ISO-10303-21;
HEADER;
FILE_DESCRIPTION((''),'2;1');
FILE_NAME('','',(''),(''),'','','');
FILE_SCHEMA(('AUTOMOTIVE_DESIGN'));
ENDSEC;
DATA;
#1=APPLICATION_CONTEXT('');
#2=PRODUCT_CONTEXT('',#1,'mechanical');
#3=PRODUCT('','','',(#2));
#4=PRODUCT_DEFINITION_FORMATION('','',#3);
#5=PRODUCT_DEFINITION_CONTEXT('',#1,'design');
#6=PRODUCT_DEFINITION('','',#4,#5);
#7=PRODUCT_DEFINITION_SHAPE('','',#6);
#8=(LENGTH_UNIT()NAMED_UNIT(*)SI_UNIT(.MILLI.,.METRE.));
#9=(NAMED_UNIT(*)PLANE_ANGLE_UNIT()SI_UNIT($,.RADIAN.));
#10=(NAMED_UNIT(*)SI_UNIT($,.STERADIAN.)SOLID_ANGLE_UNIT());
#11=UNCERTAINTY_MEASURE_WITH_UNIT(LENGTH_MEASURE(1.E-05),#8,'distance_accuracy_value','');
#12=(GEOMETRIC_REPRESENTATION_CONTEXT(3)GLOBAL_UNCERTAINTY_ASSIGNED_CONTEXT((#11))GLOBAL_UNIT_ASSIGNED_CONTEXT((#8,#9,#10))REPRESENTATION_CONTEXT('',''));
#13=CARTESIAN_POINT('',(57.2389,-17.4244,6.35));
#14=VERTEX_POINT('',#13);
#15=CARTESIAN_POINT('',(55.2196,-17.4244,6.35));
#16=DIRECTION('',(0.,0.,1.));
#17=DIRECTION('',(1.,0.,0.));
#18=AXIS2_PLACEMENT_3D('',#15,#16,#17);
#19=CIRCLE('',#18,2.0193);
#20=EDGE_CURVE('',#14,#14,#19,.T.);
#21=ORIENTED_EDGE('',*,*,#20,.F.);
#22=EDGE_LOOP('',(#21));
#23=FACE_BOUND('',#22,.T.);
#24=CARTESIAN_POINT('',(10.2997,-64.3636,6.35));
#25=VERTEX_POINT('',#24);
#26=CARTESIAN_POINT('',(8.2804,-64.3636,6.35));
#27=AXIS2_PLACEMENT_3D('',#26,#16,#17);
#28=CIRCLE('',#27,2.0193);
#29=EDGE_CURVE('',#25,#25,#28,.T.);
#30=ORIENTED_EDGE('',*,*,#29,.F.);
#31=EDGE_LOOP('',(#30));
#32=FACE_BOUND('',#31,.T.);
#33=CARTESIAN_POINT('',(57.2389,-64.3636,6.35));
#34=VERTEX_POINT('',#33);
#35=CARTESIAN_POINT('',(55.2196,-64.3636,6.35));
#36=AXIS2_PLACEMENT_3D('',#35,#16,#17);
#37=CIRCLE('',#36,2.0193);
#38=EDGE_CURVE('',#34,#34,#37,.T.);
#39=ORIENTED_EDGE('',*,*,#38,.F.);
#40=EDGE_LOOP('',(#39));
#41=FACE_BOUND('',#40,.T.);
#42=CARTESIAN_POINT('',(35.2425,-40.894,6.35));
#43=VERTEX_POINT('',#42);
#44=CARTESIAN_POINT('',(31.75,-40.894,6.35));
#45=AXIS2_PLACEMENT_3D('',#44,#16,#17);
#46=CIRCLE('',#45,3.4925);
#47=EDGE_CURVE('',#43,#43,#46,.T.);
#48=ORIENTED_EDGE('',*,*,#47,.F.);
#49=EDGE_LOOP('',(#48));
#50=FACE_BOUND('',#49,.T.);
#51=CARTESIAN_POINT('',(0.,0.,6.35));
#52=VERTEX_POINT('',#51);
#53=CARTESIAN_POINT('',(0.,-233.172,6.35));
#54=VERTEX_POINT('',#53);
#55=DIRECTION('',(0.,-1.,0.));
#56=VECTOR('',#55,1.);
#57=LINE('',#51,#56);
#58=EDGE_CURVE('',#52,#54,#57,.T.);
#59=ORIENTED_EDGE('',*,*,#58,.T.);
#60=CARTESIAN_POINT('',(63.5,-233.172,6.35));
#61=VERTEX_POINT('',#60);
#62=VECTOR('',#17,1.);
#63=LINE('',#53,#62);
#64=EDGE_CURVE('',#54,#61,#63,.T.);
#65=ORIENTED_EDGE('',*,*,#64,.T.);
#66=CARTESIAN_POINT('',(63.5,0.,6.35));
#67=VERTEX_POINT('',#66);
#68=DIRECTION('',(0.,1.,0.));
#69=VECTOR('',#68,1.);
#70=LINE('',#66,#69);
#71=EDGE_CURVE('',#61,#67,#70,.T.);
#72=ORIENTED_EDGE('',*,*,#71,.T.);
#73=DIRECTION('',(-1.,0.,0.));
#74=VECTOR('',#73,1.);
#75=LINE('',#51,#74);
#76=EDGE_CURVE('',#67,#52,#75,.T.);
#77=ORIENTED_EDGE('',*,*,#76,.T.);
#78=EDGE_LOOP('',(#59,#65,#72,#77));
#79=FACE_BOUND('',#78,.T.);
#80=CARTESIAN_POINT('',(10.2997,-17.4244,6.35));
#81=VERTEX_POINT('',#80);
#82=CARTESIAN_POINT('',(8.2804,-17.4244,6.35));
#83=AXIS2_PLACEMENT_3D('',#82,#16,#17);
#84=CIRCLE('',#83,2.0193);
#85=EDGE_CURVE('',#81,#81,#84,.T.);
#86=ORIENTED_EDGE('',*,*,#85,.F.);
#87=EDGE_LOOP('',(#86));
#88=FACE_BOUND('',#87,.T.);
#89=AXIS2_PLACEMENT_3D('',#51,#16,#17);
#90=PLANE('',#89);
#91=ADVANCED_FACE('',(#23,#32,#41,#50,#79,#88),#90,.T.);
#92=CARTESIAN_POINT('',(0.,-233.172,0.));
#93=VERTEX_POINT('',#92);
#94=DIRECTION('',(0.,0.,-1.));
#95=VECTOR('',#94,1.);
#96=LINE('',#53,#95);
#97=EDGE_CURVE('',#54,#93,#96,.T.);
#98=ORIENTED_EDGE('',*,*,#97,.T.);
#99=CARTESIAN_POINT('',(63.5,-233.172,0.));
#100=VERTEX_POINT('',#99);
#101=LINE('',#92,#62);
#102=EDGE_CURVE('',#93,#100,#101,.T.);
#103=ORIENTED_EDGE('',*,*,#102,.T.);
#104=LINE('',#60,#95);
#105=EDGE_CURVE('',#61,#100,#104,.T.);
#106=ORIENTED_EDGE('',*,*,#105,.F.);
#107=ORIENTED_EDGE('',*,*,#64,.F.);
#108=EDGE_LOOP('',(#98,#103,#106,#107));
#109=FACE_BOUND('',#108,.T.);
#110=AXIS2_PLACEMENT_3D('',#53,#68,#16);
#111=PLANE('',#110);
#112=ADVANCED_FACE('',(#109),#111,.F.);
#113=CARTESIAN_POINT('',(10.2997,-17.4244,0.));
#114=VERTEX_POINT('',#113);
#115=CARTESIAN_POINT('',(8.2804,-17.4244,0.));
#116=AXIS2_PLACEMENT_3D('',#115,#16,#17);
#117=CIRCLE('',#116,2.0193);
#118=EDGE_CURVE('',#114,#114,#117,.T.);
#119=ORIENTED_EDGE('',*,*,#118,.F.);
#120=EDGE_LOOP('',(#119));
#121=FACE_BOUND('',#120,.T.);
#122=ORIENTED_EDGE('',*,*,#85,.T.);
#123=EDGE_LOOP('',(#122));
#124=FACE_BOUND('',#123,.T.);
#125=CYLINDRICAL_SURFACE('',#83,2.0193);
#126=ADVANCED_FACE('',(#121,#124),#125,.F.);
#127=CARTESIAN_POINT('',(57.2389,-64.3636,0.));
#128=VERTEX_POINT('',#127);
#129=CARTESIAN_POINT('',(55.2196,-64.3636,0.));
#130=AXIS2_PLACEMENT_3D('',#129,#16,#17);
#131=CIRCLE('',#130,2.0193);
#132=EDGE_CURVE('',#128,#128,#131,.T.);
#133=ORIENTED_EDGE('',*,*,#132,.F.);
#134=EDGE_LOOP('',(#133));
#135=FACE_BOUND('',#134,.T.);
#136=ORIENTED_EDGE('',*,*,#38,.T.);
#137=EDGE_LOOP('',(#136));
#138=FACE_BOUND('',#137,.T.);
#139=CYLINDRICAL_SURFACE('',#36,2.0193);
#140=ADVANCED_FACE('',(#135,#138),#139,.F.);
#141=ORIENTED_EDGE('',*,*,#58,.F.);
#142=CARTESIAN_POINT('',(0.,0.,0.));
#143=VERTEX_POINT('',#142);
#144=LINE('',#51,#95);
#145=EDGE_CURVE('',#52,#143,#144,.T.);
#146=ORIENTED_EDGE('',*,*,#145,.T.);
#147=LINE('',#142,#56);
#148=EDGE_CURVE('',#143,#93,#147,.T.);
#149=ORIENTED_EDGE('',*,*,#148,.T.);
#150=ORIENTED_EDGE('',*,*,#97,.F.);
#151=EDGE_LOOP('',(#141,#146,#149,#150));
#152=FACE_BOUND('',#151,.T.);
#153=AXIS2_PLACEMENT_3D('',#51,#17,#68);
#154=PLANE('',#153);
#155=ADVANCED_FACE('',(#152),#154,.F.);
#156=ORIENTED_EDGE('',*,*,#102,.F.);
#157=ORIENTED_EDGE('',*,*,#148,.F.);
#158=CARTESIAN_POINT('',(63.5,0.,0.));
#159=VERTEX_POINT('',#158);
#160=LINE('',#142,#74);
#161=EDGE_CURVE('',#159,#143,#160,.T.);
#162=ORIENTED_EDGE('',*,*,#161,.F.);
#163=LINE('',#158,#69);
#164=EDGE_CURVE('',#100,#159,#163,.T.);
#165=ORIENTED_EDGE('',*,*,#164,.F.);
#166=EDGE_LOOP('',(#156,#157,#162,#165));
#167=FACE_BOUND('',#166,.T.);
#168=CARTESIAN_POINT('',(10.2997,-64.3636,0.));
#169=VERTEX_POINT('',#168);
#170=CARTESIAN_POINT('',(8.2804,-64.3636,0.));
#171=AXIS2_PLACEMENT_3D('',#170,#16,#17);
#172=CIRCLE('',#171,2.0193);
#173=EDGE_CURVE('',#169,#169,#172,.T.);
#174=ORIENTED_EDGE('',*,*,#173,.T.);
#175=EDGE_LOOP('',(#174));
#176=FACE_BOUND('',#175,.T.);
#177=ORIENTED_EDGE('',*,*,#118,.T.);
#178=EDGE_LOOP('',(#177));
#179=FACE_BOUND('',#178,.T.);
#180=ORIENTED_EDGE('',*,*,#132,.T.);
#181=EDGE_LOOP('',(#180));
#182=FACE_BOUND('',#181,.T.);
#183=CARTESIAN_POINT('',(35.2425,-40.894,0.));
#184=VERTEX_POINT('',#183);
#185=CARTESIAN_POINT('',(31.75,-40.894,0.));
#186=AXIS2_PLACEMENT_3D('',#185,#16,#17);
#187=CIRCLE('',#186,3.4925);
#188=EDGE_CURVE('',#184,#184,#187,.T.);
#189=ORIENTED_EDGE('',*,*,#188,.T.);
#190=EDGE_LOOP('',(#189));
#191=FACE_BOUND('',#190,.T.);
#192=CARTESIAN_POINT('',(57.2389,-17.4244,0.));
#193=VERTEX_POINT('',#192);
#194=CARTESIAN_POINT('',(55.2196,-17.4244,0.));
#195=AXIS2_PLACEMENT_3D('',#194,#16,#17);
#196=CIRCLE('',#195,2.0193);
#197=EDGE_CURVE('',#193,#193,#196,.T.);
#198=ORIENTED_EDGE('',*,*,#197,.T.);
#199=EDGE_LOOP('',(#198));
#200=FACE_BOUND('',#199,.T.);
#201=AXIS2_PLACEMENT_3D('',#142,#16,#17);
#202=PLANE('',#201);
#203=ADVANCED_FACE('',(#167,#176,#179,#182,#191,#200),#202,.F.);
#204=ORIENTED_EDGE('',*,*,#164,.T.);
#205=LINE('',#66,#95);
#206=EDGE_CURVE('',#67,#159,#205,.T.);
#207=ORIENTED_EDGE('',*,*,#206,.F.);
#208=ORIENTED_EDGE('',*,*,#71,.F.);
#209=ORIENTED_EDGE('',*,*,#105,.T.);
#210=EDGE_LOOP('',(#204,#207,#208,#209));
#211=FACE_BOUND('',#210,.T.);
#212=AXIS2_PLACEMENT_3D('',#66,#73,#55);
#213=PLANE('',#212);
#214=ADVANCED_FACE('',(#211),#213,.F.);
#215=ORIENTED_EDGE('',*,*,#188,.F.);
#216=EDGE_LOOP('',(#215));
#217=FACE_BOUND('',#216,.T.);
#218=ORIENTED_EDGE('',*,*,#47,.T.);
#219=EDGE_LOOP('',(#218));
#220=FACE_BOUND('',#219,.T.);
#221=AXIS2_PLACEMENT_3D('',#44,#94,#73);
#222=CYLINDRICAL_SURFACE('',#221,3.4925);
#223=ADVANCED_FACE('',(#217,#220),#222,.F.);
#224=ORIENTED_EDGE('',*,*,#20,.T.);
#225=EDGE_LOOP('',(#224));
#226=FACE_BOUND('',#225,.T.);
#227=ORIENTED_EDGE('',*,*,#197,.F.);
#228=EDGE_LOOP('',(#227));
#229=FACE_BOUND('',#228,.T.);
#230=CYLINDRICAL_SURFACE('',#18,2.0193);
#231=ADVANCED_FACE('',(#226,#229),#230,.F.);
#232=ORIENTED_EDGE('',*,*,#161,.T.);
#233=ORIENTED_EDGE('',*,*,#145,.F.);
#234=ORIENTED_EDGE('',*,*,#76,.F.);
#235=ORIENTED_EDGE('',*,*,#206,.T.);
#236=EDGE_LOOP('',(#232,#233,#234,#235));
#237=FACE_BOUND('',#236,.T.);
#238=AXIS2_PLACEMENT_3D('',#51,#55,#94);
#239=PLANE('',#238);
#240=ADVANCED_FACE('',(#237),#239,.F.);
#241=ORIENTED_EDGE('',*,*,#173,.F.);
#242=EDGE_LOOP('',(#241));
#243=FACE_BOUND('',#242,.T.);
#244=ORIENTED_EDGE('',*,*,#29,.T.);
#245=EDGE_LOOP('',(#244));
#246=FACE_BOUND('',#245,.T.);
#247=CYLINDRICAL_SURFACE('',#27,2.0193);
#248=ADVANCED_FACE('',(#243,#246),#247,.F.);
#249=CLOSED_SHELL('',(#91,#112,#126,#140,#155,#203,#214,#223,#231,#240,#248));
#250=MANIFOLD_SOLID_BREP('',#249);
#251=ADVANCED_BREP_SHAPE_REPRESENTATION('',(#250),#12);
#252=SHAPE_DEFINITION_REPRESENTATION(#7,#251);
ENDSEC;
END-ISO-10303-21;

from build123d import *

# Parameters (mm, degrees)
SKETCH1_W                  = 63.5
SKETCH1_H                  = 233.172
SKETCH1_R                  = 3.4925
BOSS_EXTRUDE1_DEPTH        = 6.35
F_10_32_TAPPED_HOLE1_D     = 4.0386
F_10_32_TAPPED_HOLE1_DEPTH = 6.35


with BuildPart() as part:
    # Sketch1 → Boss-Extrude1 (new body)
    with BuildSketch(Plane.XY):
        with Locations((31.75, -116.586)):
            Rectangle(SKETCH1_W, SKETCH1_H)
        with Locations((31.75, -40.894)):
            Circle(SKETCH1_R, mode=Mode.SUBTRACT)
    extrude(amount=BOSS_EXTRUDE1_DEPTH)

    # #10-32 Tapped Hole1
    with Locations(Plane.XY.offset(6.35)):
        with Locations((8.2804, -17.4244), (55.2196, -17.4244), (55.2196, -64.3636), (8.2804, -64.3636)):
            Hole(F_10_32_TAPPED_HOLE1_D / 2, depth=F_10_32_TAPPED_HOLE1_DEPTH)


solid = part.part
